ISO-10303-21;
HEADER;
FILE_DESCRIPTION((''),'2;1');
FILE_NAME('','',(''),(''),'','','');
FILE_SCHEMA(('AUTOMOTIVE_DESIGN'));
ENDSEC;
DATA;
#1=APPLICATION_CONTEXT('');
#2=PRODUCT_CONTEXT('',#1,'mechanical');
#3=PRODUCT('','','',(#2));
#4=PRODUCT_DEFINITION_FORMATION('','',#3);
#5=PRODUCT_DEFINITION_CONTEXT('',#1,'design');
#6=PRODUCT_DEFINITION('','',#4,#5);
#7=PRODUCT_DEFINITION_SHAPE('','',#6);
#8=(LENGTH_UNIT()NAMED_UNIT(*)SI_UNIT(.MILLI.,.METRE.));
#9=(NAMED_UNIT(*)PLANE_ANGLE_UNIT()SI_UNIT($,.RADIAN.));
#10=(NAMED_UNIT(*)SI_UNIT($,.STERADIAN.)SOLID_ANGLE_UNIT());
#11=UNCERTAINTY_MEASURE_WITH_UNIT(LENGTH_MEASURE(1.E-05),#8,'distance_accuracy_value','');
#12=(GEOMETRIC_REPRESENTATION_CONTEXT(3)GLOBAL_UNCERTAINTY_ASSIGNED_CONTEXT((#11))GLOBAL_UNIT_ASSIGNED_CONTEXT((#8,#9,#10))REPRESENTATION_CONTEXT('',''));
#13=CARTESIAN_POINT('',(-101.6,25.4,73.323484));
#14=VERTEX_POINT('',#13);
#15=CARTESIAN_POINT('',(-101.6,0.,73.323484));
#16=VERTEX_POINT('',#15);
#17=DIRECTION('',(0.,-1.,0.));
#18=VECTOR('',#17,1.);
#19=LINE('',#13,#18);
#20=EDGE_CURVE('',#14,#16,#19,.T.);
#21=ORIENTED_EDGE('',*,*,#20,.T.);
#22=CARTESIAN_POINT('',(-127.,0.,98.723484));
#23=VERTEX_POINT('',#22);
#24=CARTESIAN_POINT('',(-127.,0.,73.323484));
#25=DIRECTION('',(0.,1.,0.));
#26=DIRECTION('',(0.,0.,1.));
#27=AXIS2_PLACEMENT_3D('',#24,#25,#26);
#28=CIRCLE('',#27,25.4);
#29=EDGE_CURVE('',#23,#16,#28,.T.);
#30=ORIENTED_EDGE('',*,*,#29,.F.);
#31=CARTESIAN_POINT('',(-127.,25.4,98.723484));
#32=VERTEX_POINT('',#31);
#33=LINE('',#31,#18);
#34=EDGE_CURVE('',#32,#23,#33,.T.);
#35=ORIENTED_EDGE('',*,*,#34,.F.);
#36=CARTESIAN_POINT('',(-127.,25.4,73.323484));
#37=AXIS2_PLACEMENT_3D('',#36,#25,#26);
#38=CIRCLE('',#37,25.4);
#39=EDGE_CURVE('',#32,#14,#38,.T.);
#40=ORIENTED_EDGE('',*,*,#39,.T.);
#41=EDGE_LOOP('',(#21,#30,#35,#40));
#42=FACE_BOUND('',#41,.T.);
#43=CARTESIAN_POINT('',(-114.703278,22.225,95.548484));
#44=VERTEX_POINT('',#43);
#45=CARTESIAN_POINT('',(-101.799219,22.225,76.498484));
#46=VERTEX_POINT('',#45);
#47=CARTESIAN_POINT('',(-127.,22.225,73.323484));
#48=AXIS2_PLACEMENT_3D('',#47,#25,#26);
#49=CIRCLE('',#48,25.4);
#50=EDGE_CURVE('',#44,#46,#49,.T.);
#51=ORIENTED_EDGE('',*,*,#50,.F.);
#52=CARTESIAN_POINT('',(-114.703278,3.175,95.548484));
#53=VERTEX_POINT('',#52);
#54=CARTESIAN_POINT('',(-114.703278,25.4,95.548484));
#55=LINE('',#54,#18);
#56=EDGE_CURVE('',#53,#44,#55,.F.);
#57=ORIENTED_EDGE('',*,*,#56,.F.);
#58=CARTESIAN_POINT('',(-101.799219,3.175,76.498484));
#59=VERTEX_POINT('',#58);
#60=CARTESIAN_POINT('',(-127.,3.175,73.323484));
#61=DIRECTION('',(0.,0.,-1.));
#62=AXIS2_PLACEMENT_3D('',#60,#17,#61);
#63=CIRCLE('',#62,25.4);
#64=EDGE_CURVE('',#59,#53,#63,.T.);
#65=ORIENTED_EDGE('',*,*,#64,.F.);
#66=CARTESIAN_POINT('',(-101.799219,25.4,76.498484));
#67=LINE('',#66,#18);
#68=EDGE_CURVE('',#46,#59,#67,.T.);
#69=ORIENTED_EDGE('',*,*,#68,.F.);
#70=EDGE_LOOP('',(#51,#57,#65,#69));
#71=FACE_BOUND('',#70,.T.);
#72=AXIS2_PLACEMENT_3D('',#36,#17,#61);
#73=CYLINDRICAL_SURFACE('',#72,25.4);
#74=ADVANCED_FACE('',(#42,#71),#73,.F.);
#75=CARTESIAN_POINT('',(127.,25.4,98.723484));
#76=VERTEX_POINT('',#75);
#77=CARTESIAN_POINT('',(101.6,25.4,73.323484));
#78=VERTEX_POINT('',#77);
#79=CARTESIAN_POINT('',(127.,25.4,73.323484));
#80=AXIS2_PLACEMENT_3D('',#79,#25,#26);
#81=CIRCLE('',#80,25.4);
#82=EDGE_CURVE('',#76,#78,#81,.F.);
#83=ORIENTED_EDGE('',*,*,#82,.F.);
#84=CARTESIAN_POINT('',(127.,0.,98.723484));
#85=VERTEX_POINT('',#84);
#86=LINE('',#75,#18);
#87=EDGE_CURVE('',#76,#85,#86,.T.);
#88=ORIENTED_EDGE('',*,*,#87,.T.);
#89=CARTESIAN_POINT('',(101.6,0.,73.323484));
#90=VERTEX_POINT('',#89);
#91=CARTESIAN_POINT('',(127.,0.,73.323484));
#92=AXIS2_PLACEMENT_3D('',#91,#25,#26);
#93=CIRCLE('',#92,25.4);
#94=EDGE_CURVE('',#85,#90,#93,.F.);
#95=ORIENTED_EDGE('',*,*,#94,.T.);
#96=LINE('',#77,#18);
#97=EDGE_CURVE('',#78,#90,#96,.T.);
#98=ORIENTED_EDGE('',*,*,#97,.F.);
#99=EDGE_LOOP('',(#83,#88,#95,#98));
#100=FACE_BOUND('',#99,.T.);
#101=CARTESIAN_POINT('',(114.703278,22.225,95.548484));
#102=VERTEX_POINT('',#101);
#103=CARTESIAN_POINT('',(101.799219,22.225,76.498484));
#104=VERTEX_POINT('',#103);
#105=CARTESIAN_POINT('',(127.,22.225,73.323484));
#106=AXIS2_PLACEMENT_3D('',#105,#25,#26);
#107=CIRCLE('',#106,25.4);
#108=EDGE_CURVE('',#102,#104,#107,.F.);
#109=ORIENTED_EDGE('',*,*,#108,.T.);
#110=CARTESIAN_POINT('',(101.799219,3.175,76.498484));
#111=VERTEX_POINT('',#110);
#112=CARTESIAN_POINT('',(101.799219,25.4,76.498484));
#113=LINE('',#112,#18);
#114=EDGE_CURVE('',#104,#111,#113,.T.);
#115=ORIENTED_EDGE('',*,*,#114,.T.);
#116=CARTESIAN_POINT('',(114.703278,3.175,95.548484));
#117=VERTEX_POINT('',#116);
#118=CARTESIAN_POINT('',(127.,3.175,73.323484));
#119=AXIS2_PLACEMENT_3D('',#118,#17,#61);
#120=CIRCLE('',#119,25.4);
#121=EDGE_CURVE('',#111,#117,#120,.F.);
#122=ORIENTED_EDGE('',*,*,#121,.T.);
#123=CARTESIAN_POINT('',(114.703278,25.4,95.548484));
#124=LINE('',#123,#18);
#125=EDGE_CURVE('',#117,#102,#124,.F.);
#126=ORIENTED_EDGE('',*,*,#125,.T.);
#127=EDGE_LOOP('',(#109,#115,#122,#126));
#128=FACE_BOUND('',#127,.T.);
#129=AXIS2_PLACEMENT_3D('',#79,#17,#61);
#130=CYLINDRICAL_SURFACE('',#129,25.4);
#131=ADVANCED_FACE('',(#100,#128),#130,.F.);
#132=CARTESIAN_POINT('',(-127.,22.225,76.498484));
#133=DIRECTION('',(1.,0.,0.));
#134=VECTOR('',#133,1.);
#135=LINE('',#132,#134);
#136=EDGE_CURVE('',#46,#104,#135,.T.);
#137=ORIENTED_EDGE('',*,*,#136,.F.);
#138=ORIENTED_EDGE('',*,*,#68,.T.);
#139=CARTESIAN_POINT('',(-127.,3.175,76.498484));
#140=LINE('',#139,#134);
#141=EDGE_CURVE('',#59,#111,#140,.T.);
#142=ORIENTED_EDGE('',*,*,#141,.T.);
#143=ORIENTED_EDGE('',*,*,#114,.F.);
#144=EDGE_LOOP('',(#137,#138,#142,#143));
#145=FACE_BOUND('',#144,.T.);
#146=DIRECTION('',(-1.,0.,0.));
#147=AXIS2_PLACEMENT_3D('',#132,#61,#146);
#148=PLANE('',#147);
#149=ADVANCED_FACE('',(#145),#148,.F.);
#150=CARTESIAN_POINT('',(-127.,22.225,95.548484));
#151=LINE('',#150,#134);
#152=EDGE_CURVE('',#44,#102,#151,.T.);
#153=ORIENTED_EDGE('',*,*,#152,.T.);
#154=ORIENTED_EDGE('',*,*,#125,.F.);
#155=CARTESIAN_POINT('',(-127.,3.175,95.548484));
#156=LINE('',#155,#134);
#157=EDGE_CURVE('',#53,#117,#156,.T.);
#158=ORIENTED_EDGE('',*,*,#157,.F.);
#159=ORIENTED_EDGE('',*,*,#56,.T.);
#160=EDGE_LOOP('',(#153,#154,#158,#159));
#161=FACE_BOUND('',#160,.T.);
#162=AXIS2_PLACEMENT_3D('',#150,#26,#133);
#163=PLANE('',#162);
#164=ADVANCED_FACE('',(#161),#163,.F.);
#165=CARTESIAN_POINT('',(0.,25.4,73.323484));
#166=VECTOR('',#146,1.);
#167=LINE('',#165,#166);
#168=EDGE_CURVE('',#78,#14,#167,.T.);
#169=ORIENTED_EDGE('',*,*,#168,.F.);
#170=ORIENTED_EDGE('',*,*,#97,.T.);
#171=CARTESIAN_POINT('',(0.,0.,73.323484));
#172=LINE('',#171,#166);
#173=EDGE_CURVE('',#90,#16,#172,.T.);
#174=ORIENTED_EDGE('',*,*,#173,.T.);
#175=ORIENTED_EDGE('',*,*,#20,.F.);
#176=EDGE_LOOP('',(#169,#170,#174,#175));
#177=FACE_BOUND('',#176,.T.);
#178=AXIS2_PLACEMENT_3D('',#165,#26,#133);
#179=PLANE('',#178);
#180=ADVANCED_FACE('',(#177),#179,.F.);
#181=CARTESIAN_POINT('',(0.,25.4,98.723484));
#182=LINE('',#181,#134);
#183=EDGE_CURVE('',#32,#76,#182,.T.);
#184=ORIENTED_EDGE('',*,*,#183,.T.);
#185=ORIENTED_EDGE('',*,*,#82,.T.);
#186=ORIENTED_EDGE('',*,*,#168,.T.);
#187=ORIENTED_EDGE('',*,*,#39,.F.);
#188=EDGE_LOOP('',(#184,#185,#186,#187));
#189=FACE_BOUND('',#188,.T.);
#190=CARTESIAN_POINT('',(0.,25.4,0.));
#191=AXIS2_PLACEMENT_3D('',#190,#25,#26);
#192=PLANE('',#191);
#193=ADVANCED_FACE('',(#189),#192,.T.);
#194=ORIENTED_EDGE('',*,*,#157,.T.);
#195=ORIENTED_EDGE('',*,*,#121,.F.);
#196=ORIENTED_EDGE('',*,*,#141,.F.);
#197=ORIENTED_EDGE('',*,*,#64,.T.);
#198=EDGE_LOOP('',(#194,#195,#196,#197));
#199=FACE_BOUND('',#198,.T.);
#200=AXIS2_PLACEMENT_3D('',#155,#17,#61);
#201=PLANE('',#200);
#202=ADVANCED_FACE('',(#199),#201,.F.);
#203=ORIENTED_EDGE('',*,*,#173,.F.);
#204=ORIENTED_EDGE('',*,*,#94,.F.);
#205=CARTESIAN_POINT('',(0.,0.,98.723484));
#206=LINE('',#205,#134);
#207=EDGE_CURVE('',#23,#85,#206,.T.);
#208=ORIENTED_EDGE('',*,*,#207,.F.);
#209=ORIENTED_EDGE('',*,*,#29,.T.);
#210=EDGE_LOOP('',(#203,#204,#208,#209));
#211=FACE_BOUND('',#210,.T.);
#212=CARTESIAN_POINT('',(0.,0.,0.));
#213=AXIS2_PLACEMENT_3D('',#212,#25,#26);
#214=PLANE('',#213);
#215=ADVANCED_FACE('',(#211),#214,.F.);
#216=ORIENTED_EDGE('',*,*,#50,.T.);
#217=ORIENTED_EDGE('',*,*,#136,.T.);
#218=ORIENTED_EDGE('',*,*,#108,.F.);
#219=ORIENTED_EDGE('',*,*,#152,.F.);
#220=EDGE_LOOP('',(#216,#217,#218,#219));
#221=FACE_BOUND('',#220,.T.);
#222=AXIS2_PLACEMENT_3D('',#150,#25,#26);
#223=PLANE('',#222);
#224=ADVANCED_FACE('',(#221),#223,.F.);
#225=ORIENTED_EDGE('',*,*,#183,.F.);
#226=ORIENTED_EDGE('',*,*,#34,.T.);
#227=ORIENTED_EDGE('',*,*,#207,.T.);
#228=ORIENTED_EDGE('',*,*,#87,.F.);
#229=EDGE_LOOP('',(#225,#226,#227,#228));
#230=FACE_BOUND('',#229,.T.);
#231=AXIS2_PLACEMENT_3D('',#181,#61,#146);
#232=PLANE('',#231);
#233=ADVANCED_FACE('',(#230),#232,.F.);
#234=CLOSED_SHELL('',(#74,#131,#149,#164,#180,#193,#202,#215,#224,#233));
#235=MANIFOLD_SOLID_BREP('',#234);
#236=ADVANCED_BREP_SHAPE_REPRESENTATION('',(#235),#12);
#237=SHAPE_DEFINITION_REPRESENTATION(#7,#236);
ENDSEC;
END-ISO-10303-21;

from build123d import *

# Parameters (mm, degrees)
BOSS_EXTRUDE1_DEPTH     = 25.4
CUT_EXTRUDE1_DEPTH      = 163.851117067
CUT_EXTRUDE1_DEPTH_BACK = 163.851117067
SKETCH2_W               = 19.05
SKETCH2_H               = 19.05


with BuildPart() as part:
    # Sketch1 → Boss-Extrude1 (new body)
    with BuildSketch(Plane(origin=(0, 0, 0), x_dir=(1, 0, 0), z_dir=(0, 1, 0))):
        with BuildLine():
            Line((-127, -98.723484187), (127, -98.723484187))
            ThreePointArc((127, -98.723484187), (109.039487758, -91.283996429), (101.6, -73.323484187))
            Line((101.6, -73.323484187), (-101.6, -73.323484187))
            ThreePointArc((-101.6, -73.323484187), (-109.039487758, -91.283996429), (-127, -98.723484187))
        make_face()
    extrude(amount=BOSS_EXTRUDE1_DEPTH)

    # Sketch2 → Cut-Extrude1 (cut, two sides: drawn at the far end of the back side and taken through both)
    with BuildSketch(Plane(origin=(0, 0, 0), x_dir=(0, 0, -1), z_dir=(1, 0, 0)).offset(-CUT_EXTRUDE1_DEPTH_BACK)):
        with Locations((-86.023484187, 12.7)):
            Rectangle(SKETCH2_W, SKETCH2_H)
    extrude(amount=CUT_EXTRUDE1_DEPTH + CUT_EXTRUDE1_DEPTH_BACK, mode=Mode.SUBTRACT)


solid = part.part
